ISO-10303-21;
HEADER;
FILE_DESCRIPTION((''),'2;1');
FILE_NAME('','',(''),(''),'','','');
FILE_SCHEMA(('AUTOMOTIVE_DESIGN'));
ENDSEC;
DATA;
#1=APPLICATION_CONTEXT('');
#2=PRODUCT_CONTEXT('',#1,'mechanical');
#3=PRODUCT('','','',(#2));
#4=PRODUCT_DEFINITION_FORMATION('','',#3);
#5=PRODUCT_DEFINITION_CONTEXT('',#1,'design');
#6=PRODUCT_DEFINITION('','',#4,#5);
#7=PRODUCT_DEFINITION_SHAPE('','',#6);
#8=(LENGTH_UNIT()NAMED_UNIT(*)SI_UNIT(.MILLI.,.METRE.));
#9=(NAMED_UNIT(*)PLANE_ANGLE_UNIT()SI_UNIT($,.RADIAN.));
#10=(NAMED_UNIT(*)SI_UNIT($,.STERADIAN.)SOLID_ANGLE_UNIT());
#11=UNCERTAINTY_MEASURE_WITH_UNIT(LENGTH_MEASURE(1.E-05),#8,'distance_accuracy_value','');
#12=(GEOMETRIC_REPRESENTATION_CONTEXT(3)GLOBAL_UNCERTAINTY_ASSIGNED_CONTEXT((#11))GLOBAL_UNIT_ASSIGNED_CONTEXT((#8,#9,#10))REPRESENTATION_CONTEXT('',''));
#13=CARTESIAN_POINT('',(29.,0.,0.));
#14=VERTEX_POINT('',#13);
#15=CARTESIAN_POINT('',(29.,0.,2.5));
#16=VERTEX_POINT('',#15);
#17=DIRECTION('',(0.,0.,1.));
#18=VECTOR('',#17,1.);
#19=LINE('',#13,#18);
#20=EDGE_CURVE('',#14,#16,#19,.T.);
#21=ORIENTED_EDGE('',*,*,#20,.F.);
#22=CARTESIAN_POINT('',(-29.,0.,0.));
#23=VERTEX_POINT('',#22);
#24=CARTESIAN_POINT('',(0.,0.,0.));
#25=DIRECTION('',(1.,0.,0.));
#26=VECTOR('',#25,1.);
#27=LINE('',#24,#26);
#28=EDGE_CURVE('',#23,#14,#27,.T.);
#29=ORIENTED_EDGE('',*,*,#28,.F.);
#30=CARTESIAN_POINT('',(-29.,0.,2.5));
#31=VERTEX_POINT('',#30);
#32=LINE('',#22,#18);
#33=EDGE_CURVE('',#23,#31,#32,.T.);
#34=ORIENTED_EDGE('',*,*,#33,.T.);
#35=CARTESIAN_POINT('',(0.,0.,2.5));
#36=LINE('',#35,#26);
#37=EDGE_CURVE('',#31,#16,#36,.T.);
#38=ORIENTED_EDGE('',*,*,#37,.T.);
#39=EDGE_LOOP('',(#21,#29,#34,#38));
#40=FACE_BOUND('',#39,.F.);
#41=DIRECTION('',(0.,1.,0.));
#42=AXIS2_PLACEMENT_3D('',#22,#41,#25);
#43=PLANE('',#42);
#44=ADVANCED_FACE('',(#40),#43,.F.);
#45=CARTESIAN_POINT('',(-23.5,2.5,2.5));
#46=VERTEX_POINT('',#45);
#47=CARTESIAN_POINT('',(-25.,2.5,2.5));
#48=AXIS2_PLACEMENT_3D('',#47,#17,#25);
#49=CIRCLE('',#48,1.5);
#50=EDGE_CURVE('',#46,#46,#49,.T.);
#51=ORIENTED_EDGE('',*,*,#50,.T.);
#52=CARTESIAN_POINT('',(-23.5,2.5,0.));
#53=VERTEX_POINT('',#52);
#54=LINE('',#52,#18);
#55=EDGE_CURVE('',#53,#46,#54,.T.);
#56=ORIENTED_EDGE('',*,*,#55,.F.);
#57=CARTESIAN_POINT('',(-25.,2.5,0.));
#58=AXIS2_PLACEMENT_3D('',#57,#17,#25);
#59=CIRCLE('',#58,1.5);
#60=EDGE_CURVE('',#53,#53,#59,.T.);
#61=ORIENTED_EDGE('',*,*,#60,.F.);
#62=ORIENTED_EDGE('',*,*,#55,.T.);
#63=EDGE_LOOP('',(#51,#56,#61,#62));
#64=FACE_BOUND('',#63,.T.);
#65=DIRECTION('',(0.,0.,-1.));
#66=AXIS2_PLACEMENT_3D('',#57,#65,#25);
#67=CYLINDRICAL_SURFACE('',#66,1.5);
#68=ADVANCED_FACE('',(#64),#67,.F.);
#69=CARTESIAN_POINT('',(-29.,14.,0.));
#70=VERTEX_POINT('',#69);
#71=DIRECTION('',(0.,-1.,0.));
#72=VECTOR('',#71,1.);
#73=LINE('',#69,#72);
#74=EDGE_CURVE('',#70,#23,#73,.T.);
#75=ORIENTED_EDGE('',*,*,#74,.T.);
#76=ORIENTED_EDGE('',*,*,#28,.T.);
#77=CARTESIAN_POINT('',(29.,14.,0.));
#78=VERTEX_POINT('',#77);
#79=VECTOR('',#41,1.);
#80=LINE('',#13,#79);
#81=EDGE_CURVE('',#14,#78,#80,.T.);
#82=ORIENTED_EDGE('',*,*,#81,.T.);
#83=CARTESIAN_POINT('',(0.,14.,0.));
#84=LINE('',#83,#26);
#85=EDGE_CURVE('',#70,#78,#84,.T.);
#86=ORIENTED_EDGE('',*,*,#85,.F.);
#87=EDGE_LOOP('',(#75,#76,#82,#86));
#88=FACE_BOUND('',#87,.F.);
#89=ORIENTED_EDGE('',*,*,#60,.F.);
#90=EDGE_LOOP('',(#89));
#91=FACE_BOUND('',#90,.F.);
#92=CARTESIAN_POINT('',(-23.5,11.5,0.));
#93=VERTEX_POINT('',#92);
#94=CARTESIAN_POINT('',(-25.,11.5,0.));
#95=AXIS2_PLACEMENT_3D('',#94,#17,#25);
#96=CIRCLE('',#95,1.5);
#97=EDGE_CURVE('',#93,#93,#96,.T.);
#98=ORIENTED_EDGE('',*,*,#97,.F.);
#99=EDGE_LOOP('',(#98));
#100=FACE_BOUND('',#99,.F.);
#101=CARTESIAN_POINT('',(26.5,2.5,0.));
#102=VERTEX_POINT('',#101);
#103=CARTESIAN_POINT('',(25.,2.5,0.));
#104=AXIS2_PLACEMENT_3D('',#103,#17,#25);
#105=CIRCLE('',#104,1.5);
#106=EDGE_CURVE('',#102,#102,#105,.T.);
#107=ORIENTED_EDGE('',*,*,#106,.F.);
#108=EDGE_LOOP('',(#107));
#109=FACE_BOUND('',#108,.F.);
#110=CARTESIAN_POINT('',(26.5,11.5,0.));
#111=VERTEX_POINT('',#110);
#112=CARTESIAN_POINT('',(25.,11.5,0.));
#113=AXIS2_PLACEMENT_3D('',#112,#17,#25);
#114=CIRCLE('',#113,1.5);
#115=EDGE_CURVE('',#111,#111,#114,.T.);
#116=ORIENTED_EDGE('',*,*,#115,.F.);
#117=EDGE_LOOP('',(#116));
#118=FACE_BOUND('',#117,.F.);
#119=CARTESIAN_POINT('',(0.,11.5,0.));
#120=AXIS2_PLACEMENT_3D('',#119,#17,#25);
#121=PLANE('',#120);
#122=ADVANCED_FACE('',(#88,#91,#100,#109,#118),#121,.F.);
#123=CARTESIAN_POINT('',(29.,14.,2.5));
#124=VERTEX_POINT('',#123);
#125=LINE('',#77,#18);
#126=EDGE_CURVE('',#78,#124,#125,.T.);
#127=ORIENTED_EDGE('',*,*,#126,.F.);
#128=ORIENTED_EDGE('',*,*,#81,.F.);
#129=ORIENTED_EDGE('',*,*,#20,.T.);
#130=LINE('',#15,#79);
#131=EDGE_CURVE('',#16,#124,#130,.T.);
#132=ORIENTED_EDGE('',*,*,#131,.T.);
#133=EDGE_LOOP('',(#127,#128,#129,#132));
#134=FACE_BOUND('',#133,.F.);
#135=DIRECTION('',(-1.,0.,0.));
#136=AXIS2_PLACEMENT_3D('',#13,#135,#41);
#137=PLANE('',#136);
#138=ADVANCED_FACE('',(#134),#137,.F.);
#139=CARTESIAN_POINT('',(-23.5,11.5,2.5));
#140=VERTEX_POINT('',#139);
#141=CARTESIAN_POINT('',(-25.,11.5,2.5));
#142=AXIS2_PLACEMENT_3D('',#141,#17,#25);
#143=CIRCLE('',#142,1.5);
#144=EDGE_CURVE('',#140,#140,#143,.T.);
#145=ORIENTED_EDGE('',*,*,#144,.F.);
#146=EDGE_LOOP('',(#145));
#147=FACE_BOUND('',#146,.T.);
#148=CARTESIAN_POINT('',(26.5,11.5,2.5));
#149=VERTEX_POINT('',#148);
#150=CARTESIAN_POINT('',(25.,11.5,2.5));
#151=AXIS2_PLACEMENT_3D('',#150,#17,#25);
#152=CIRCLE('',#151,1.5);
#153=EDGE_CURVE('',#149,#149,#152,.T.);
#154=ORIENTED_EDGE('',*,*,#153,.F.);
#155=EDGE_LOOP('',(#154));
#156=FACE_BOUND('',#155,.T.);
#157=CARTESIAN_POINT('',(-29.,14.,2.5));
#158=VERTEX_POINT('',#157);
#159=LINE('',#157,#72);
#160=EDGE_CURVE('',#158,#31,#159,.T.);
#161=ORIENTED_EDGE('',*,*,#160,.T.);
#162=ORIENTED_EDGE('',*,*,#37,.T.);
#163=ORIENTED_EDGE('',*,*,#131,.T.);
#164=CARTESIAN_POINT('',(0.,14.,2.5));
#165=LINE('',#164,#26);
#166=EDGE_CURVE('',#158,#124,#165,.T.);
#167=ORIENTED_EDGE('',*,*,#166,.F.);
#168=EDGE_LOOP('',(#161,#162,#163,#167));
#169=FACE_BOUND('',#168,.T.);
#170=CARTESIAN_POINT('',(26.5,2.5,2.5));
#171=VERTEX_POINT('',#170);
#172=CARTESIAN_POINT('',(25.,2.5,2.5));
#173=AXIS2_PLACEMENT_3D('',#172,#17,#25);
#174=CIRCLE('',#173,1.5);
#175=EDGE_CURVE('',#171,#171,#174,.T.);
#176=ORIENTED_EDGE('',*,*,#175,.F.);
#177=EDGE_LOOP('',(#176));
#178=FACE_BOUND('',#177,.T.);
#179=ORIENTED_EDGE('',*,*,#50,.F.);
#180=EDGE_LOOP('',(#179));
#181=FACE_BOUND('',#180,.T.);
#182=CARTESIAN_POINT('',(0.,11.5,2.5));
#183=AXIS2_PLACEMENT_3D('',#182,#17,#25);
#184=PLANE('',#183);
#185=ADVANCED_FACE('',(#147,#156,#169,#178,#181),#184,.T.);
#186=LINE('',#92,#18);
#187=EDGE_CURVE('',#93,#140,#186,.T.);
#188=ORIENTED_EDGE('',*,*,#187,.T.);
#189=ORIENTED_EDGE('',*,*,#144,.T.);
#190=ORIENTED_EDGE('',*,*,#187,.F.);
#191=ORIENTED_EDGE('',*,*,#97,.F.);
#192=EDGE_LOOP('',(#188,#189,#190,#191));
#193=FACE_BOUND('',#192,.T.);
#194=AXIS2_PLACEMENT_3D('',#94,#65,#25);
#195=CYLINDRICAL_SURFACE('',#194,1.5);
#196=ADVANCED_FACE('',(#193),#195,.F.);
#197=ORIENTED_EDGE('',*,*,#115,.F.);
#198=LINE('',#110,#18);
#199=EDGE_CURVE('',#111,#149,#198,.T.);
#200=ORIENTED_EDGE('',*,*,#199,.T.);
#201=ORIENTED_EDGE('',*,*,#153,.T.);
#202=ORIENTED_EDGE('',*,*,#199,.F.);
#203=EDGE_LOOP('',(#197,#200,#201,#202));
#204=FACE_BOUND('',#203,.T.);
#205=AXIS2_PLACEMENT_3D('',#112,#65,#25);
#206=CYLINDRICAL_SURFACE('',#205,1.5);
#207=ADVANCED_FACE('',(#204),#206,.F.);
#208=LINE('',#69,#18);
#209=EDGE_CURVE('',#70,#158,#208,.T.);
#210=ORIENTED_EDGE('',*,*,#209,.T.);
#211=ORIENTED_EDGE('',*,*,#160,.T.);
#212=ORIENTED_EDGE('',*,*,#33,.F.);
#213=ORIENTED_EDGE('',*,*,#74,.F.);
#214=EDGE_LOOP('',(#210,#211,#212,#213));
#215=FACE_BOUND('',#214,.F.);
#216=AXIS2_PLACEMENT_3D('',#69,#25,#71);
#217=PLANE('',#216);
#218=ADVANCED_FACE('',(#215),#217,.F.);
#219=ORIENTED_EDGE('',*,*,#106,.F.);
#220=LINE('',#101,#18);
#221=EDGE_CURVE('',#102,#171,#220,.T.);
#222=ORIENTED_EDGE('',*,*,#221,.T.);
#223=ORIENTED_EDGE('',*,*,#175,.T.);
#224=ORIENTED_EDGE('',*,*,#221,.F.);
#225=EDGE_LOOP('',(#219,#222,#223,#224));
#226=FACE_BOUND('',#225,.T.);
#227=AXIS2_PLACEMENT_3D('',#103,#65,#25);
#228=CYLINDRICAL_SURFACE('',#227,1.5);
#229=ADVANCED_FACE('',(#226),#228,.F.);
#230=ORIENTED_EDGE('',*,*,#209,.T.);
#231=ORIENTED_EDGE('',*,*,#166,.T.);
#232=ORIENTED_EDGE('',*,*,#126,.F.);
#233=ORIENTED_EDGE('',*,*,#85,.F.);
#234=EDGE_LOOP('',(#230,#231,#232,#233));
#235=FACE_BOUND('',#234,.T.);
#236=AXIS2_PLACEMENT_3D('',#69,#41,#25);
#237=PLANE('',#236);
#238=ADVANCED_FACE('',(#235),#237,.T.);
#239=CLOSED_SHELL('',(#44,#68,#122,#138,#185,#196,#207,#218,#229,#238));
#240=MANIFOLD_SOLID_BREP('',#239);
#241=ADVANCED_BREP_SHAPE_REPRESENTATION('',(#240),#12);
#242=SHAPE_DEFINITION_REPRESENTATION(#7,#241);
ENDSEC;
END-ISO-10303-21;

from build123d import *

# Parameters (mm, degrees)
F0_W     = 58
F0_H     = 5
F0_R     = 1.5
F0_H_2   = 9
F1_DEPTH = 2.5


with BuildPart() as f1:
    # F0 (on Top) → F1 (new body)
    with BuildSketch(Plane.XY):
        with Locations((0, 11.5)):
            Rectangle(F0_W, F0_H)
        with Locations((-25, 11.5)):
            Circle(F0_R, mode=Mode.SUBTRACT)
        with Locations((25, 11.5)):
            Circle(F0_R, mode=Mode.SUBTRACT)
        with Locations((0, 4.5)):
            Rectangle(F0_W, F0_H_2)
        with Locations((-25, 2.5)):
            Circle(F0_R, mode=Mode.SUBTRACT)
        with Locations((25, 2.5)):
            Circle(F0_R, mode=Mode.SUBTRACT)
    extrude(amount=F1_DEPTH)


solid = f1.part
